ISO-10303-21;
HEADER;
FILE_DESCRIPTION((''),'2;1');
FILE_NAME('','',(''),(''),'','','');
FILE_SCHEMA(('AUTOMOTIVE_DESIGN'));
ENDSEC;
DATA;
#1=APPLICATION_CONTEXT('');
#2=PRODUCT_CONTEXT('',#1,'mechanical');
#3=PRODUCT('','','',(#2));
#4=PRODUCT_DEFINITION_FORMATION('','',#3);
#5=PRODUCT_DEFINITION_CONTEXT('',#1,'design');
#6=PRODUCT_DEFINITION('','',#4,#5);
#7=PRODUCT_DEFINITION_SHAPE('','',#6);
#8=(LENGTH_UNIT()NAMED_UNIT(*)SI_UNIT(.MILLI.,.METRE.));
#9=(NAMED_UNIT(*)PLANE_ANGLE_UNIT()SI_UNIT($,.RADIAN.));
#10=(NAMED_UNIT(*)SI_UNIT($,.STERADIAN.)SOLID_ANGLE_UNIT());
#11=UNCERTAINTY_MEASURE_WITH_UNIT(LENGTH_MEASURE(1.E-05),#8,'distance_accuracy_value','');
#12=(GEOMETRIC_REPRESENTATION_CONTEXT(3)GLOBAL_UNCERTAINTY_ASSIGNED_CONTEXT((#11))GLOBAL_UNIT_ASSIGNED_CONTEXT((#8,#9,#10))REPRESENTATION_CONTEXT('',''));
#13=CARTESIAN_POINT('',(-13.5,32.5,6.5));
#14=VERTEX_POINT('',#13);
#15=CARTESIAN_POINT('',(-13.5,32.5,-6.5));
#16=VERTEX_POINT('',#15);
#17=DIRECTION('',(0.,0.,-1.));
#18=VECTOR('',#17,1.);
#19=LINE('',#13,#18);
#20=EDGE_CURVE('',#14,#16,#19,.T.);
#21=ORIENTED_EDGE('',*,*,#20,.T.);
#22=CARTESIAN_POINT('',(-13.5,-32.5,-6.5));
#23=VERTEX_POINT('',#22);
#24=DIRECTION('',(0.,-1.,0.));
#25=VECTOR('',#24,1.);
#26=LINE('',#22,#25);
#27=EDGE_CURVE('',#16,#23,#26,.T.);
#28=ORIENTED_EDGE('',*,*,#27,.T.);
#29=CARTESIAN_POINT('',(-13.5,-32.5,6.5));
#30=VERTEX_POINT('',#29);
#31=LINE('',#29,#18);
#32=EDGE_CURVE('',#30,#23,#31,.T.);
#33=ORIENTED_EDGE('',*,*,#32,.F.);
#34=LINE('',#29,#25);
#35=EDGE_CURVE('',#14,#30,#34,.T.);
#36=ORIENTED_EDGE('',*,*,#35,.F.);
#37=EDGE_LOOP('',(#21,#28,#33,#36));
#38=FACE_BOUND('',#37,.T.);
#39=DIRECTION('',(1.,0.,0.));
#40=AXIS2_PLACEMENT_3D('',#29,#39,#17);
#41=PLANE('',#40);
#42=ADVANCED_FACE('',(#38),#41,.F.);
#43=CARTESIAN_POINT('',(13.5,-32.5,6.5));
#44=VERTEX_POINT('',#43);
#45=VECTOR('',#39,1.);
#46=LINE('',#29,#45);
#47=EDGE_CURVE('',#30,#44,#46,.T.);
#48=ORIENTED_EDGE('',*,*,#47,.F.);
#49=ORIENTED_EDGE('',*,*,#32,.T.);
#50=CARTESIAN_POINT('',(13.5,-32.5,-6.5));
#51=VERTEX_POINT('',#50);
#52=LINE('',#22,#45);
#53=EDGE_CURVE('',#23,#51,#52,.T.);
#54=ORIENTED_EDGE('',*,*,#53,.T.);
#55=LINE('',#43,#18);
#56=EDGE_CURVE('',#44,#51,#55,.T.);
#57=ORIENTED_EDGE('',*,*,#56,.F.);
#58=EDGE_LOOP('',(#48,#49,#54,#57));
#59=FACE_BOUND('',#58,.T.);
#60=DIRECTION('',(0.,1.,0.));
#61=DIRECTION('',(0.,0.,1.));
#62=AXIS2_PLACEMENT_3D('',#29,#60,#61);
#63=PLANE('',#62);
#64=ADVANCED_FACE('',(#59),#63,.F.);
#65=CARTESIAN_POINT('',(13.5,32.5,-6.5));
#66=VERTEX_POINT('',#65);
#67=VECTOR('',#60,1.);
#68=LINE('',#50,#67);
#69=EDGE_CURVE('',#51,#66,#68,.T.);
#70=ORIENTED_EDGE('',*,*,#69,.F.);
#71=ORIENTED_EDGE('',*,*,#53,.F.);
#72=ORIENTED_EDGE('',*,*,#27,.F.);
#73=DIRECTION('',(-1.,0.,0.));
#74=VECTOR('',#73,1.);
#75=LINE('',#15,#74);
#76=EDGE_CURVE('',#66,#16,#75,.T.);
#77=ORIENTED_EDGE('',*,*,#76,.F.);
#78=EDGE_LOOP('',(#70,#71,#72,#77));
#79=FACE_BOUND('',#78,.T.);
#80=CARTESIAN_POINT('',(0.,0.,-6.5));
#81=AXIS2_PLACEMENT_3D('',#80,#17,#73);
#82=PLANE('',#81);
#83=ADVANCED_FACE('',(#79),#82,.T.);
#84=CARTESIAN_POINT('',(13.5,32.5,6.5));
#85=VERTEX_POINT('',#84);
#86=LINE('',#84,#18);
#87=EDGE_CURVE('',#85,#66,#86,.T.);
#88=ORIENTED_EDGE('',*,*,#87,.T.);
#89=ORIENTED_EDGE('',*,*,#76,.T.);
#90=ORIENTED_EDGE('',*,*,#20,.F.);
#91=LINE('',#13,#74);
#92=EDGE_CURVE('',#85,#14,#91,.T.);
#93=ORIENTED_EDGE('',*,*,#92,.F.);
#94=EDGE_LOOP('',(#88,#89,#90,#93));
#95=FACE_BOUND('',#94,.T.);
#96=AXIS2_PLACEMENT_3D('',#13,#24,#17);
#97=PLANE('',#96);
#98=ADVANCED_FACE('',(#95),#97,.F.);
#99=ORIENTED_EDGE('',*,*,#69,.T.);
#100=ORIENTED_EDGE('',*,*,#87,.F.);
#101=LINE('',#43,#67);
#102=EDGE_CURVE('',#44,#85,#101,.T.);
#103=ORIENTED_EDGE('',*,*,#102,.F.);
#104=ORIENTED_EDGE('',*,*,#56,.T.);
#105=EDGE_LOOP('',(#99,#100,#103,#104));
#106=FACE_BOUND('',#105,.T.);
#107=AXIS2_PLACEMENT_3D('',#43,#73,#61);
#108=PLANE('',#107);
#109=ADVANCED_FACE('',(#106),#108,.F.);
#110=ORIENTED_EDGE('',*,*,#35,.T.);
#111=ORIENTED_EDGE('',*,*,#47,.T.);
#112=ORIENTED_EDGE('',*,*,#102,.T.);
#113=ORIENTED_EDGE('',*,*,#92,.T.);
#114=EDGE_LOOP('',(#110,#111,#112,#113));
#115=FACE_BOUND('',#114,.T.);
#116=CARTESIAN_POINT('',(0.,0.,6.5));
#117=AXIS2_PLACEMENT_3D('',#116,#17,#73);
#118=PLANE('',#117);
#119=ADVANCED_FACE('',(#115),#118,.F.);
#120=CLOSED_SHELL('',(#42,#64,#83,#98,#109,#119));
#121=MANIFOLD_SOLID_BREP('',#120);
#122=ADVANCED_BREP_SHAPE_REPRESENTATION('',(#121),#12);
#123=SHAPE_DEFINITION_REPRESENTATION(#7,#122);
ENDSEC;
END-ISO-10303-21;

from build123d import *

# Parameters (mm, degrees)
ESQUISSE1_W        = 27
ESQUISSE1_H        = 65
BOSS_EXTRU_1_DEPTH = 6.5


with BuildPart() as part:
    # Esquisse1 → Boss.-Extru.1 (new, symmetric)
    with BuildSketch(Plane.XY):
        Rectangle(ESQUISSE1_W, ESQUISSE1_H)
    extrude(amount=BOSS_EXTRU_1_DEPTH, both=True)


solid = part.part
